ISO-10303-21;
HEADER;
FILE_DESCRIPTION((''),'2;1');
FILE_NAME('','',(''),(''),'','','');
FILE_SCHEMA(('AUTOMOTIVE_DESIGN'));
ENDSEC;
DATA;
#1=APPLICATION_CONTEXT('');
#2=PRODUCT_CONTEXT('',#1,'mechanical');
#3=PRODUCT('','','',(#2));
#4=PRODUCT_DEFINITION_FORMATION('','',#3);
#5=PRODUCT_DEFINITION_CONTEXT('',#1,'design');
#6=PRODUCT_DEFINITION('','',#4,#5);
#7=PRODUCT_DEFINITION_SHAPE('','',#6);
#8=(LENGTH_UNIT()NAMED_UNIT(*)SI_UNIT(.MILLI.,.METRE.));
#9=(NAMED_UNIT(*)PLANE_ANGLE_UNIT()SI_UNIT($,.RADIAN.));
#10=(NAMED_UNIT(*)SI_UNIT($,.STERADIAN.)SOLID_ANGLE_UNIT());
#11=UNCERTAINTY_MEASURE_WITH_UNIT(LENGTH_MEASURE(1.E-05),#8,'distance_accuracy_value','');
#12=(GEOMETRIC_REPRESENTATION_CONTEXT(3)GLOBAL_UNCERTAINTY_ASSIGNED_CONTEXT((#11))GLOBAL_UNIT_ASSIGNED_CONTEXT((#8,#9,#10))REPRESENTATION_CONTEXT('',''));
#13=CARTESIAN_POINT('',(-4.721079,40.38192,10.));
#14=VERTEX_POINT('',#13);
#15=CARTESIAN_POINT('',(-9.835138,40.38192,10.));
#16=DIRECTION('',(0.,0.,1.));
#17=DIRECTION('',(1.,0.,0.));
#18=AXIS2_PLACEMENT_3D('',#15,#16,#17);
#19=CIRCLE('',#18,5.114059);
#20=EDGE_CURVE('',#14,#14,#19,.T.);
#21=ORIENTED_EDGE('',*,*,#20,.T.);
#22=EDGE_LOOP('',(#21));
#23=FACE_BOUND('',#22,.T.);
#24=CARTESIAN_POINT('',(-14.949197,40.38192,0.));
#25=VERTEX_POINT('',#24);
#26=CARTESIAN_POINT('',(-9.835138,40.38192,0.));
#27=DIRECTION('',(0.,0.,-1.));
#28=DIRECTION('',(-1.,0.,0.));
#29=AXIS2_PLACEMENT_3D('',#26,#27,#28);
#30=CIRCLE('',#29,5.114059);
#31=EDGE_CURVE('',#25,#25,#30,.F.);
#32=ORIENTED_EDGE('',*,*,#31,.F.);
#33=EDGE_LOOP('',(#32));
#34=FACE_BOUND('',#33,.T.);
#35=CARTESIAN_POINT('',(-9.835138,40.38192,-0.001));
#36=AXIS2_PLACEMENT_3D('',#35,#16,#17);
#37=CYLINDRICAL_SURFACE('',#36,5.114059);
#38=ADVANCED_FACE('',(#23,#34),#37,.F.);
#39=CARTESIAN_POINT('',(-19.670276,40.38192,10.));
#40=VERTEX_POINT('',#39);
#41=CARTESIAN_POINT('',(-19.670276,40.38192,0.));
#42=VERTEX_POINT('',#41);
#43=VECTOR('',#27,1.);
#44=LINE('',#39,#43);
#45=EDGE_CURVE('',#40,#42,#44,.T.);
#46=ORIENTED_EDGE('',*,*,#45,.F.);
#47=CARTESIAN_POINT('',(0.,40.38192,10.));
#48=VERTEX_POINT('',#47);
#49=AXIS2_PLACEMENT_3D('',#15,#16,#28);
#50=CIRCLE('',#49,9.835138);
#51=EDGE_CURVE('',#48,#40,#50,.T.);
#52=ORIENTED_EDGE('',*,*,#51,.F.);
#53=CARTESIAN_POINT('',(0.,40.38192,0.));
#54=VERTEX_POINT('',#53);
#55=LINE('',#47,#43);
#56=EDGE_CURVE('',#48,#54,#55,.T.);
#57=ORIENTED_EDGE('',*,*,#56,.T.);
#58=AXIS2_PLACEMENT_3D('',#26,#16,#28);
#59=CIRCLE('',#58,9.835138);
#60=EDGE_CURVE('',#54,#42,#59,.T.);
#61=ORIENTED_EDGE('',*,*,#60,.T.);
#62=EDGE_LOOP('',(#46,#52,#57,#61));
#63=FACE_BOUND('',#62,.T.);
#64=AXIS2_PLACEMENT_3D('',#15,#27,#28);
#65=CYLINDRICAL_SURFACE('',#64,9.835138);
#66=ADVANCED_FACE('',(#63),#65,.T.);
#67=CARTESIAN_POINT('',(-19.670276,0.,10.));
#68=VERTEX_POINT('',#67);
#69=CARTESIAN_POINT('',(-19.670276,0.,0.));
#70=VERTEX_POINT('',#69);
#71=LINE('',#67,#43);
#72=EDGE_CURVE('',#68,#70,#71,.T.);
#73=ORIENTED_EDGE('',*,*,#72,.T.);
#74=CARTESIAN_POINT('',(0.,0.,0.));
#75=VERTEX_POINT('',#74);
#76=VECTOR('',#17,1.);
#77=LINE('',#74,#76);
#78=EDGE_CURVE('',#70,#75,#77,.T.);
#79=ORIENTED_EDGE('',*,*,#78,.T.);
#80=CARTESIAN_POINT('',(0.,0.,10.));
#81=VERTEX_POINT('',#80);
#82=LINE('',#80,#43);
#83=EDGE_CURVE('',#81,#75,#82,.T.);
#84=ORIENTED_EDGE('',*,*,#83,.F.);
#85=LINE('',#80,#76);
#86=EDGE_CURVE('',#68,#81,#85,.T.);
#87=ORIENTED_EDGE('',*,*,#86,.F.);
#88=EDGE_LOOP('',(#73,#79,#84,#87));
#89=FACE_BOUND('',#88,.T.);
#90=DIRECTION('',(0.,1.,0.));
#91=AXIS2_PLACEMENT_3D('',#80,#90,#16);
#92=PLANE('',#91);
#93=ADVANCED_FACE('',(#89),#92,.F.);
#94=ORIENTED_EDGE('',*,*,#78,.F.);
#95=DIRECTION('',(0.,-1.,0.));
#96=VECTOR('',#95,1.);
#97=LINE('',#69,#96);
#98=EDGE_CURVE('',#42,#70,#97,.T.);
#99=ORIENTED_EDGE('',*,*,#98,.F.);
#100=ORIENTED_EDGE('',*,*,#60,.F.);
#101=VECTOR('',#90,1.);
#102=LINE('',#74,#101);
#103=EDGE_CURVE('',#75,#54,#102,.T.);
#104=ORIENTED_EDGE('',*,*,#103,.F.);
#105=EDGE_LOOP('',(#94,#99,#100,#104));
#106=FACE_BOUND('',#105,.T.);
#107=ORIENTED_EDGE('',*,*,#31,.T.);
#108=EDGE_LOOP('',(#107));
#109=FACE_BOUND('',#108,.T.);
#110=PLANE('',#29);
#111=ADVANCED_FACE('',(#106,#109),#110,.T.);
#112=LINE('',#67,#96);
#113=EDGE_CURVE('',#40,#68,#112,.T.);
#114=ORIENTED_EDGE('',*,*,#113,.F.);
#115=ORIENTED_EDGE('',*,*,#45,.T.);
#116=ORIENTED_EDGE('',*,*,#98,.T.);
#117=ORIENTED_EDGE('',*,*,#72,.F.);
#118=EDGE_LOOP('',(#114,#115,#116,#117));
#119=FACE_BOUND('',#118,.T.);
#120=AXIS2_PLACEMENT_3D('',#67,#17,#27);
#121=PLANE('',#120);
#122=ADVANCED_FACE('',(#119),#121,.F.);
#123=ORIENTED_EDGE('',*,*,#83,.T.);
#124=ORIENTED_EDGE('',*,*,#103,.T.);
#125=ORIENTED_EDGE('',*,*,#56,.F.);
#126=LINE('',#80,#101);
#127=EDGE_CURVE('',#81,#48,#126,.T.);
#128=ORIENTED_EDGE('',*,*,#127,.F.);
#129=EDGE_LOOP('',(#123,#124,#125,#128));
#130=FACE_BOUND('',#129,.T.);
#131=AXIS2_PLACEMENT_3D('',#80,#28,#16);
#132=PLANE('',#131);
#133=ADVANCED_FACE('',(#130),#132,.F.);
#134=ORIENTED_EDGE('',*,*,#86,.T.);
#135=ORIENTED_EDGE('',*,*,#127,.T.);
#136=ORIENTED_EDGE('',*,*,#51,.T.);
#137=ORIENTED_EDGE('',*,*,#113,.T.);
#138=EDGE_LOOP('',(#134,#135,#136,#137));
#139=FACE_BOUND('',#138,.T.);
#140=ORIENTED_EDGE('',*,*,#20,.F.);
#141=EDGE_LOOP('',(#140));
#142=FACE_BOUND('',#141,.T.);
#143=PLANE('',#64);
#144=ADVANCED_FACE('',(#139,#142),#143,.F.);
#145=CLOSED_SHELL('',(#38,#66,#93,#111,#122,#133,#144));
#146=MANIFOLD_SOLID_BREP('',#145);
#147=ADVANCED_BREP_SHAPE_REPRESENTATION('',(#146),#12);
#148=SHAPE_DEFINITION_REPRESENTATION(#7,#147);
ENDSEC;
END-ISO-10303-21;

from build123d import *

# Parameters (mm, degrees)
BOSS_EXTRUDE1_DEPTH = 10
CUT_EXTRUDE1_REACH  = 56.851
SKETCH2_R           = 5.114059111


with BuildPart() as part:
    # Sketch1 → Boss-Extrude1 (new body)
    with BuildSketch(Plane.XY):
        with BuildLine():
            Line((0, 0), (-19.67027632, 0))
            Line((-19.67027632, 0), (-19.67027632, 40.381920209))
            ThreePointArc((-19.67027632, 40.381920209), (-9.83513816, 50.217058369), (0, 40.381920209))
            Line((0, 40.381920209), (0, 0))
        make_face()
    extrude(amount=BOSS_EXTRUDE1_DEPTH)

    # Sketch2 → Cut-Extrude1 (cut, up to next)
    with BuildSketch(Plane.XY.offset(10), mode=Mode.PRIVATE) as cut_extrude1_sk1:
        with Locations((-9.83513816, 40.381920209)):
            Circle(SKETCH2_R)
    cut_extrude1_tool1 = extrude(cut_extrude1_sk1.sketch, amount=-CUT_EXTRUDE1_REACH, mode=Mode.PRIVATE) & part.part
    add(cut_extrude1_tool1.solids().sort_by_distance((-9.835138, 40.38192, 10))[0], mode=Mode.SUBTRACT)


solid = part.part
